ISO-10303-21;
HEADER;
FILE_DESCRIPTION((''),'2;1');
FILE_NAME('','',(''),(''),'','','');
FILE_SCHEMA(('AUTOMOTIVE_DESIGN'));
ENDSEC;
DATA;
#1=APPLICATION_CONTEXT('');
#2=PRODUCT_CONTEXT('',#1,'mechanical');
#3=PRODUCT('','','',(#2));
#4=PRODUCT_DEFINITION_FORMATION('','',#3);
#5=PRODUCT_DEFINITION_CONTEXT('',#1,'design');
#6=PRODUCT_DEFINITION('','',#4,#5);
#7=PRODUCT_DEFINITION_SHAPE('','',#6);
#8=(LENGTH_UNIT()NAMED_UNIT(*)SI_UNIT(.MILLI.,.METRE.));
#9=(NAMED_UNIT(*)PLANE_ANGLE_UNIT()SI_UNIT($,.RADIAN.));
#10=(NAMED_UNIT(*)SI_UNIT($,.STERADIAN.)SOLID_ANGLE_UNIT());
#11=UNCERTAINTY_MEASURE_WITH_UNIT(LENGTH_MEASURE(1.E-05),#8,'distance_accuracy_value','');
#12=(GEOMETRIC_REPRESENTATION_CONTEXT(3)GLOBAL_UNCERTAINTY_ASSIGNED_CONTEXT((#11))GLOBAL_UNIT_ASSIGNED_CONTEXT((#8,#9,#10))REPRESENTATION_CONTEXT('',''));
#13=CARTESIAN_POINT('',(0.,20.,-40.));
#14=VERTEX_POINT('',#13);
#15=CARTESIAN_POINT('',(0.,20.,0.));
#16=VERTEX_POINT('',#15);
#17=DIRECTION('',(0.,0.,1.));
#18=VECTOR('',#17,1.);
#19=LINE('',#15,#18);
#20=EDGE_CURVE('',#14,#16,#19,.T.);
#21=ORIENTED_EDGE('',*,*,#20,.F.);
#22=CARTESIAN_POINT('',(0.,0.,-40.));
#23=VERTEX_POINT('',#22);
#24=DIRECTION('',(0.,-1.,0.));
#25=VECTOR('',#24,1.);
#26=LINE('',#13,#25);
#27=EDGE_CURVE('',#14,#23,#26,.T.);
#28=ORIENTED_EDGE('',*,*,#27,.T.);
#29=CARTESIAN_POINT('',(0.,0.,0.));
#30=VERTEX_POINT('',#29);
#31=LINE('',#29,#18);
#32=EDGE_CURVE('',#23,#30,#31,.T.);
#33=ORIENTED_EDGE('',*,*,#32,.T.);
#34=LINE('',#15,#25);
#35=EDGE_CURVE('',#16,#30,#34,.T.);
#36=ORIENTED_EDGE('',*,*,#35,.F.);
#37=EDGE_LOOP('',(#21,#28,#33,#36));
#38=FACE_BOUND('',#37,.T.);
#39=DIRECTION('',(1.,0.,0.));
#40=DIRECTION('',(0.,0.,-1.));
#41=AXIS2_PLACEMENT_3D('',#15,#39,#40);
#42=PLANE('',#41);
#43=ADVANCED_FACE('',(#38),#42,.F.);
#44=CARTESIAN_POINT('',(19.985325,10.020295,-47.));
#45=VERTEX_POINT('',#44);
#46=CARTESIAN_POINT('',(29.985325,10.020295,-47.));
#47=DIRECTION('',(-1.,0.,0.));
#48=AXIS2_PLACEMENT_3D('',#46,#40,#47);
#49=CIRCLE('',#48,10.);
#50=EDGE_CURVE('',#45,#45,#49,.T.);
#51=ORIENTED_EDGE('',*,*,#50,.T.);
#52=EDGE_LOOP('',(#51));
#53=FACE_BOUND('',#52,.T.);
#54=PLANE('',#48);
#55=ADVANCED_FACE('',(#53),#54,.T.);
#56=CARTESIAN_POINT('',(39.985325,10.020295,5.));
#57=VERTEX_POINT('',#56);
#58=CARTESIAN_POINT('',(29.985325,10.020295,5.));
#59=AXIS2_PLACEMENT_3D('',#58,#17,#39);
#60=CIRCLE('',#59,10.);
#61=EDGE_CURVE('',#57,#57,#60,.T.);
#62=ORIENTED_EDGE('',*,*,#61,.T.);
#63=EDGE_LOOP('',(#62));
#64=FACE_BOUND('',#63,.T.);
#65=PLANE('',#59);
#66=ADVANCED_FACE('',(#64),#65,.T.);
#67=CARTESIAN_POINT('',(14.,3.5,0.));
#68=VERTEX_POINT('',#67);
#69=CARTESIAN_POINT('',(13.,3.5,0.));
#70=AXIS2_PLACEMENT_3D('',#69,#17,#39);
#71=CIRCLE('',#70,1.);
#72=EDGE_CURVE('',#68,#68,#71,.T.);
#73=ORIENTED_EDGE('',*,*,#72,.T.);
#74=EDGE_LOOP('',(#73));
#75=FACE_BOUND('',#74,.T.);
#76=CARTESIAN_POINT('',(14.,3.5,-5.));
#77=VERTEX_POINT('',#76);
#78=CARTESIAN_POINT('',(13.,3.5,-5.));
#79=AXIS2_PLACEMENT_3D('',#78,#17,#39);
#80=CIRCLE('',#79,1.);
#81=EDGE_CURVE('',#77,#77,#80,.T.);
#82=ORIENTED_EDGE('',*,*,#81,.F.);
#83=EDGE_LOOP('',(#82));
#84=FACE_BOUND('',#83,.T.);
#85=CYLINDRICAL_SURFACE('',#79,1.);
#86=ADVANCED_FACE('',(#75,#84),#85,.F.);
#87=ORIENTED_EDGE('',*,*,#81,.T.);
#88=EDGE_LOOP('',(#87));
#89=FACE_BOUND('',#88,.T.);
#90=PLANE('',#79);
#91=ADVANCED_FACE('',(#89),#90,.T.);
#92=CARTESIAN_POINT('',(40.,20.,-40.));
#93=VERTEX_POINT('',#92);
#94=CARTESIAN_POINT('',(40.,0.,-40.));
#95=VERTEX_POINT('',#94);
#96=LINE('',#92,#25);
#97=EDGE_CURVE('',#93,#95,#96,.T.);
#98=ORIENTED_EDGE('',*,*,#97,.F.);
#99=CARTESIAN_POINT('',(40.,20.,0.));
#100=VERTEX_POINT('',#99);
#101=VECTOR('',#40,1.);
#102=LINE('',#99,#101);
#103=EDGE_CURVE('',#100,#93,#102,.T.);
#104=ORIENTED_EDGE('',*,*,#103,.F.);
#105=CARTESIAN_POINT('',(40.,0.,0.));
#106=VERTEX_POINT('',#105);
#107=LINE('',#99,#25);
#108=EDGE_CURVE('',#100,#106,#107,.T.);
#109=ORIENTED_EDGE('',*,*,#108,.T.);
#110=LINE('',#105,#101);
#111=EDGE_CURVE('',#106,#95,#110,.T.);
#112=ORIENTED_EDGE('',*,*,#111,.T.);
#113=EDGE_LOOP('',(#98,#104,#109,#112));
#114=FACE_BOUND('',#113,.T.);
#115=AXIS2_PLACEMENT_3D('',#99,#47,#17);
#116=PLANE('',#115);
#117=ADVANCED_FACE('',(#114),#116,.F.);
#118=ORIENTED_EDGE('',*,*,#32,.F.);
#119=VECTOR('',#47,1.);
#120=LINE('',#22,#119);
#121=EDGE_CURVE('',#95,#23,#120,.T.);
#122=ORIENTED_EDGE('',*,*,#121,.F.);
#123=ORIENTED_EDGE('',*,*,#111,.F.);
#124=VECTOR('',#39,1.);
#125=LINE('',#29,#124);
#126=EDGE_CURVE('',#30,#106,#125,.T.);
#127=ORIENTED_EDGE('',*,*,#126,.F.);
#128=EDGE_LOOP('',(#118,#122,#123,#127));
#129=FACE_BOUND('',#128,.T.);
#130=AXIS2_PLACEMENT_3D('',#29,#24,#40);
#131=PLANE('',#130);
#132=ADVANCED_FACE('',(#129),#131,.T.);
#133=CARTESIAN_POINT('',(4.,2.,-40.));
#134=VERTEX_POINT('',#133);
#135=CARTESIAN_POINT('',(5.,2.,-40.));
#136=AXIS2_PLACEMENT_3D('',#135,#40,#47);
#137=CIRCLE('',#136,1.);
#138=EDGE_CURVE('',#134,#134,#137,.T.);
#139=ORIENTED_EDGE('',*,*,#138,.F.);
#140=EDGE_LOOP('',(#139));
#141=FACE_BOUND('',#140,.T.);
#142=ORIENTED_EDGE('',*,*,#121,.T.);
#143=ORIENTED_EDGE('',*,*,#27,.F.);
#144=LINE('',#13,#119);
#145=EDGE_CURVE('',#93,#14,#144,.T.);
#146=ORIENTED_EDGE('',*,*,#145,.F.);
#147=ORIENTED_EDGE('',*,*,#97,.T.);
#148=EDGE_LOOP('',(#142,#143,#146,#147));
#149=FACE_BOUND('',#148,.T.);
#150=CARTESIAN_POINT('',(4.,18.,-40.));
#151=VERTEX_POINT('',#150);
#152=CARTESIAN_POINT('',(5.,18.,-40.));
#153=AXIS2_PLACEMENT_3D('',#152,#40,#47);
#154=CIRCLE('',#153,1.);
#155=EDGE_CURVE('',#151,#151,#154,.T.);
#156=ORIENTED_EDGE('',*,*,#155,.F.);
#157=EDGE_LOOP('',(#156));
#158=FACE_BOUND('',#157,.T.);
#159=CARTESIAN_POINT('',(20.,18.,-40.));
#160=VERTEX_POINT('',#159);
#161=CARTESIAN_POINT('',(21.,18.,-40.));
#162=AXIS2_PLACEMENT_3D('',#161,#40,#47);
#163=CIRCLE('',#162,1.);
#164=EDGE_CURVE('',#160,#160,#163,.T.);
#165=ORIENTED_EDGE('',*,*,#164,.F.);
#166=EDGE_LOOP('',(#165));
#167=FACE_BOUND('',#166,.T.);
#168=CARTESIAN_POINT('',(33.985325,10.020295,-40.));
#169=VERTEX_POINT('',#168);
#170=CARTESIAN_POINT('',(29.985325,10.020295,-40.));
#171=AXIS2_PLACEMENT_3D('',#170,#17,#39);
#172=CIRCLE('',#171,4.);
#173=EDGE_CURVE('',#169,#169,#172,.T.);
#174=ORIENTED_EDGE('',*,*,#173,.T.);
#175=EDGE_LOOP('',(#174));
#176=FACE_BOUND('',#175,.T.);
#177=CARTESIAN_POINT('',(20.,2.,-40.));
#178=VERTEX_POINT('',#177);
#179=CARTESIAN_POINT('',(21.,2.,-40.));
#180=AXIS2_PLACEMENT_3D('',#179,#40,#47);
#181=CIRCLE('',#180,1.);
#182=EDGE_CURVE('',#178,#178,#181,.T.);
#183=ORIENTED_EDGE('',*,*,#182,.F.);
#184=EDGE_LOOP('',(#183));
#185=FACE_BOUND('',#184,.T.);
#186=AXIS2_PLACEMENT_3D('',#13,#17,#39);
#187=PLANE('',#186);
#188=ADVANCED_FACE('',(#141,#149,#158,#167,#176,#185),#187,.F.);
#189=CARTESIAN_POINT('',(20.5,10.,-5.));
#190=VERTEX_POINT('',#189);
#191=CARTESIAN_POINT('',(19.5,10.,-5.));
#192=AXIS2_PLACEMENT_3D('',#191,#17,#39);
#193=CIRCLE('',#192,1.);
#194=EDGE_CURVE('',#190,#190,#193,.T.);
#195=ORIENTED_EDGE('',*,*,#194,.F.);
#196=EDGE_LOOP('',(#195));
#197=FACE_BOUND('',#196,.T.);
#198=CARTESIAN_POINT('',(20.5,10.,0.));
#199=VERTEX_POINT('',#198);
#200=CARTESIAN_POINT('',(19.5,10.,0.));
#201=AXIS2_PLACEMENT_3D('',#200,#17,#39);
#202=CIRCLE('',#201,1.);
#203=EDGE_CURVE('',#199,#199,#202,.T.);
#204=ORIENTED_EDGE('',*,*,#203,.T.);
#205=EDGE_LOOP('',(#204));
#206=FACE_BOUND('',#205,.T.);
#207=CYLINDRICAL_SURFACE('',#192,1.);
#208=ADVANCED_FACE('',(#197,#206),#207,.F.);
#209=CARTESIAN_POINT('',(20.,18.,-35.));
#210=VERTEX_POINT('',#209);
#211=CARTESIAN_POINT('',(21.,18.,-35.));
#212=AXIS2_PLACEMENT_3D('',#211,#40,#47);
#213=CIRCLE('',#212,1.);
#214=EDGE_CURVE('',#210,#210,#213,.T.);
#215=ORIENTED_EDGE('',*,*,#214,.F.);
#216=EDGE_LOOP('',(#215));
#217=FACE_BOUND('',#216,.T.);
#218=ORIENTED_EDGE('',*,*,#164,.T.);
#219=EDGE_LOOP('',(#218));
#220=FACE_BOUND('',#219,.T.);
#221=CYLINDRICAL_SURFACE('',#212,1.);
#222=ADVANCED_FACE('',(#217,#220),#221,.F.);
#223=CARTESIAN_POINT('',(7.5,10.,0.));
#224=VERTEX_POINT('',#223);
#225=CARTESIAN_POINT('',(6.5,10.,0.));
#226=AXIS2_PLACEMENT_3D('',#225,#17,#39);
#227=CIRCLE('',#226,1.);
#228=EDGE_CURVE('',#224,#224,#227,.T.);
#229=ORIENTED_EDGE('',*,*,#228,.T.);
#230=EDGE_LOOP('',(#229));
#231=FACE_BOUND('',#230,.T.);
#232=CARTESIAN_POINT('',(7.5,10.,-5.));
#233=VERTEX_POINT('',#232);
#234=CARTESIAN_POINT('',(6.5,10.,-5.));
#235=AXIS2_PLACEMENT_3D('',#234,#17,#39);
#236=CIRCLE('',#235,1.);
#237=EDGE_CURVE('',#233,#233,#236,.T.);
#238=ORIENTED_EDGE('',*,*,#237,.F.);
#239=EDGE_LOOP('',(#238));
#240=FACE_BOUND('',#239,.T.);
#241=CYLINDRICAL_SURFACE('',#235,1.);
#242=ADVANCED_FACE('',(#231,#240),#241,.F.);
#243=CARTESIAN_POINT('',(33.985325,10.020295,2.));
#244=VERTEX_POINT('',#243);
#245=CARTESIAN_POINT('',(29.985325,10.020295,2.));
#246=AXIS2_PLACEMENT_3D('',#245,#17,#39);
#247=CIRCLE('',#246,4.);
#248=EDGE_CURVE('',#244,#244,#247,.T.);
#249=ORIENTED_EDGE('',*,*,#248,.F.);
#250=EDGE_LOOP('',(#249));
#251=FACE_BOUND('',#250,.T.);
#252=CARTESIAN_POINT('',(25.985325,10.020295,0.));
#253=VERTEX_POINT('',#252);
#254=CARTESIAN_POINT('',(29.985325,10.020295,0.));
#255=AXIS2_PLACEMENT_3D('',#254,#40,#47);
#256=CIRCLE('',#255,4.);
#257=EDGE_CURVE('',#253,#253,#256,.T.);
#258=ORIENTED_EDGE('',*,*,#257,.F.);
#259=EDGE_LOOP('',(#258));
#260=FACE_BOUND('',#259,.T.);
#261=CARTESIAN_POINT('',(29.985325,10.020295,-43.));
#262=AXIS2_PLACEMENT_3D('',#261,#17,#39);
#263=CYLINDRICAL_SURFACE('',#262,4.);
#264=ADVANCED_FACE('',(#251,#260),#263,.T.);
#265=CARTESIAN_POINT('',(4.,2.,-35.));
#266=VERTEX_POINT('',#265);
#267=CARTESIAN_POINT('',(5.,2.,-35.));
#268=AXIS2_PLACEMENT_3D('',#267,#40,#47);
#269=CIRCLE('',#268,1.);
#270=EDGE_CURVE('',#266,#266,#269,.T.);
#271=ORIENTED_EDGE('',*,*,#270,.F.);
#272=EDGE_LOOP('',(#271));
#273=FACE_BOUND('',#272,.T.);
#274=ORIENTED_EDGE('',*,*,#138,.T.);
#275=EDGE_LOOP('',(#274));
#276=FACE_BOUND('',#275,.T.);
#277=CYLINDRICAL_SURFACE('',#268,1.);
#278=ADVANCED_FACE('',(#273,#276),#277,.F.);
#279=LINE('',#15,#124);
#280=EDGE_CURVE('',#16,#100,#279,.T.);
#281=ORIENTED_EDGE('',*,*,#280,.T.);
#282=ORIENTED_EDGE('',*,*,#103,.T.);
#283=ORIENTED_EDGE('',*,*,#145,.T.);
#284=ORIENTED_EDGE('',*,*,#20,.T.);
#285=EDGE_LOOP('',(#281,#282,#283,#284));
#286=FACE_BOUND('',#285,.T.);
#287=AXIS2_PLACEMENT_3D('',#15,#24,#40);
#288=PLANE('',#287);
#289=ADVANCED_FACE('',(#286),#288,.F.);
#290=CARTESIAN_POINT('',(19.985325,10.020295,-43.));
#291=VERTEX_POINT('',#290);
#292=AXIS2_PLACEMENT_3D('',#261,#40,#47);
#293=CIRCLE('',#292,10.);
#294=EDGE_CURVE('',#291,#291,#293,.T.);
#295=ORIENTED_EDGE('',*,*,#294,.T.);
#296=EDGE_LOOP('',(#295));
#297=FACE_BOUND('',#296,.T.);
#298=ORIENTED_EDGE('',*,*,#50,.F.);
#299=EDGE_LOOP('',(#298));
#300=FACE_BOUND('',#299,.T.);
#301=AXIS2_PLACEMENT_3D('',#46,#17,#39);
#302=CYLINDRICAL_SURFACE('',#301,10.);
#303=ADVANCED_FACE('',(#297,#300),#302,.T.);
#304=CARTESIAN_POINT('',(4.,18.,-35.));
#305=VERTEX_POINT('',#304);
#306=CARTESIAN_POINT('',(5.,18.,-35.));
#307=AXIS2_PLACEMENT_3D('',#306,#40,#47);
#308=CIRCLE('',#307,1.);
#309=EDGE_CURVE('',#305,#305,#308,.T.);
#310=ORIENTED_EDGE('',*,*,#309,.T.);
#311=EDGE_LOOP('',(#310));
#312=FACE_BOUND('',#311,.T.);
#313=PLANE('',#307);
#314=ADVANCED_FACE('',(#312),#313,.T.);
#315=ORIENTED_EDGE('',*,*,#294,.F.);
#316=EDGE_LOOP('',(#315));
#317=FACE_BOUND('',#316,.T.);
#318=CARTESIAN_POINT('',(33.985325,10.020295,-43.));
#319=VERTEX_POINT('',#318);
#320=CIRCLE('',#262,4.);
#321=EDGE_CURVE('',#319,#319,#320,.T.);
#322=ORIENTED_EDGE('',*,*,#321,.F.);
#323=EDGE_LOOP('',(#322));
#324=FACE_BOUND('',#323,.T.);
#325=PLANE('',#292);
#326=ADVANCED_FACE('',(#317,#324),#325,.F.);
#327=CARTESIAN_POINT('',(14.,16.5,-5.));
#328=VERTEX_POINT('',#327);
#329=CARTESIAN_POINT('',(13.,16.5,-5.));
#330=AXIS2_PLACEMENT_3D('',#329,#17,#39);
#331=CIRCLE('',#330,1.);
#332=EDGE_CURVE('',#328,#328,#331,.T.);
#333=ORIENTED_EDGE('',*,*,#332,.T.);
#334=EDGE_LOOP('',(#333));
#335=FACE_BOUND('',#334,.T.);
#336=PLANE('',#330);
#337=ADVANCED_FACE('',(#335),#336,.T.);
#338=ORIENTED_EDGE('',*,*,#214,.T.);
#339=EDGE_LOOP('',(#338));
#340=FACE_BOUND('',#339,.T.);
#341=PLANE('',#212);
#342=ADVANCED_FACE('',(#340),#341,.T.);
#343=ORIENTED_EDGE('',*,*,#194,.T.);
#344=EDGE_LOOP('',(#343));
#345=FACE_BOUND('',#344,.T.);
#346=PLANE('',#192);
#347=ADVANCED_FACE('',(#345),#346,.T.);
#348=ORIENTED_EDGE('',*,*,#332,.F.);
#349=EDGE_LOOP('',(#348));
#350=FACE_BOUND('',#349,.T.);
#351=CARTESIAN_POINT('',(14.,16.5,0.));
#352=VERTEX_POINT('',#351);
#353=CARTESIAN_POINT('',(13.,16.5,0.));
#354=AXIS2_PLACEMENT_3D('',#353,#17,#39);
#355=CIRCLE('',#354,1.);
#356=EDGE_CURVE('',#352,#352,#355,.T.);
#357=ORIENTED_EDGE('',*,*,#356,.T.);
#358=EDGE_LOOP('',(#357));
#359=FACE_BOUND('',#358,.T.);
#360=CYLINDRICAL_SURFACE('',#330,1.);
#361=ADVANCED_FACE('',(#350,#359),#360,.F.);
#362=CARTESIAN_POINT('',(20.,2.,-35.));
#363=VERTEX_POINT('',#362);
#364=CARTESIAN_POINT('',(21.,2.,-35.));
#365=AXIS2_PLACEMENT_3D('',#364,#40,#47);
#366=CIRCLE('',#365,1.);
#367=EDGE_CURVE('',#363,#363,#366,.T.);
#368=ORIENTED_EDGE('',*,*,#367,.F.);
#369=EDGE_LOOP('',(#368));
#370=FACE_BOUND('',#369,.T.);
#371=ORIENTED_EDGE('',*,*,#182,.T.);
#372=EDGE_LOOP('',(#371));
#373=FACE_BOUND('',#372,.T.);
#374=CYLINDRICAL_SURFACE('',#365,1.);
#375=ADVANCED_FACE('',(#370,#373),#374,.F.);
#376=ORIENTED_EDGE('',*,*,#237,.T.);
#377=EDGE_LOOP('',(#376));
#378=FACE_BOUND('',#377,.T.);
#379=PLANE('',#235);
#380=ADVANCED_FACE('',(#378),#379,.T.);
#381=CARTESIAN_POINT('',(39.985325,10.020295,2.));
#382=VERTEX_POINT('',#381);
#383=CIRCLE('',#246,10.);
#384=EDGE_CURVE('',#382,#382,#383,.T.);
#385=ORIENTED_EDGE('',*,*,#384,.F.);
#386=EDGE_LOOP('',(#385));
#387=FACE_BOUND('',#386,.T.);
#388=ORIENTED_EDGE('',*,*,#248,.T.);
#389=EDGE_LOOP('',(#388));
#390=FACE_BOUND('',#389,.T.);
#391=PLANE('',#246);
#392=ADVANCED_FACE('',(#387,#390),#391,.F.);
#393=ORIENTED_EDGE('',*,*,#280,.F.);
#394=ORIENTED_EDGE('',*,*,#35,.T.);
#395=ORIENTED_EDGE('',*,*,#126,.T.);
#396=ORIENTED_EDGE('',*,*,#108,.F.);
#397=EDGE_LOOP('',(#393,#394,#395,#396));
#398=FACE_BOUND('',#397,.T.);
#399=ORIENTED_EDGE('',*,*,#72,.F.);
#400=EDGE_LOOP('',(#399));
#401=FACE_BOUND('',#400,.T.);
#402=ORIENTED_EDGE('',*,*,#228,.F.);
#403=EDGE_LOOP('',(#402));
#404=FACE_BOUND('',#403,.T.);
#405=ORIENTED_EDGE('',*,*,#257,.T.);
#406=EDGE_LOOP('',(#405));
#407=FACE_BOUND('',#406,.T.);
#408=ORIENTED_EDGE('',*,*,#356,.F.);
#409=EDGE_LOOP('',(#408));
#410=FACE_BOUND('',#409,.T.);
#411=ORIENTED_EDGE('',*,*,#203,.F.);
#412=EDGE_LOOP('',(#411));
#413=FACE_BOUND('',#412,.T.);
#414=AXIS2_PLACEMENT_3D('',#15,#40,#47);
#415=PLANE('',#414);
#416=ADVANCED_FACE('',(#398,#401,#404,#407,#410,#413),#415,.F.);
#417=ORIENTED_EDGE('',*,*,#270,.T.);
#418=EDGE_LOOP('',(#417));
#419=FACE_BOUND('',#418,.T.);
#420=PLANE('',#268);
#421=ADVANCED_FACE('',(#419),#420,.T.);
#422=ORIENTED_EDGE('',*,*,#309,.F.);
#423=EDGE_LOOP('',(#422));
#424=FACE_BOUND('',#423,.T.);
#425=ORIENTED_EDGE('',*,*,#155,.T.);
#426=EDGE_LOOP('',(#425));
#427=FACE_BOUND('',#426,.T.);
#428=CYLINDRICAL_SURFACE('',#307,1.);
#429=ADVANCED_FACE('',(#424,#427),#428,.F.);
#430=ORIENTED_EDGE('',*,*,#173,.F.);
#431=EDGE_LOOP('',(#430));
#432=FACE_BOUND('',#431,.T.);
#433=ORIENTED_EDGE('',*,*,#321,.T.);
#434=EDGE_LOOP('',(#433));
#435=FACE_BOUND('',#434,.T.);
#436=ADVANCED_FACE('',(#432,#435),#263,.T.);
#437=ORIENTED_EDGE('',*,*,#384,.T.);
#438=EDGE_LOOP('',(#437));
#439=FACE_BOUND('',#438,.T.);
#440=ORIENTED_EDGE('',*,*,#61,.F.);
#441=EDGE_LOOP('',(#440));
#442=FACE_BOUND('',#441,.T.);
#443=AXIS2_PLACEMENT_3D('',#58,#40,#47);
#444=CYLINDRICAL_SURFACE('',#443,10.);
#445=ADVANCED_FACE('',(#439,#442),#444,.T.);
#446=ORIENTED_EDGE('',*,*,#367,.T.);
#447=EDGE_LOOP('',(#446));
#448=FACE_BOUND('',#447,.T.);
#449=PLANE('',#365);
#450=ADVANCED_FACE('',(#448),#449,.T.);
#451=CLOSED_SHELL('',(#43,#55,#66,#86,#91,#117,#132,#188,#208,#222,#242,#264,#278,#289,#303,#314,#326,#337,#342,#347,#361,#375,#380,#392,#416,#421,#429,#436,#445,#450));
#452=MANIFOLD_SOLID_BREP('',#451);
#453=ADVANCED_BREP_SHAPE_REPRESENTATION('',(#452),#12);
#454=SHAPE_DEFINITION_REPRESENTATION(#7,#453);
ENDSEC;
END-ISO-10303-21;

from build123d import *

# Parameters (mm, degrees)
SKETCH1_W                = 40
SKETCH1_H                = 40
BOSS_EXTRUDE1_DEPTH      = 20
SKETCH2_R                = 4
BOSS_EXTRUDE2_DEPTH      = 2
BOSS_EXTRUDE2_DEPTH_BACK = 43
SKETCH3_R                = 10
BOSS_EXTRUDE3_DEPTH      = 3
SKETCH4_R                = 10
BOSS_EXTRUDE4_DEPTH      = 4
SKETCH5_R                = 1
CUT_EXTRUDE1_DEPTH       = 5
SKETCH6_R                = 1
CUT_EXTRUDE2_DEPTH       = 5


with BuildPart() as part:
    # Sketch1 → Boss-Extrude1 (new body)
    with BuildSketch(Plane(origin=(0, 0, 0), x_dir=(1, 0, 0), z_dir=(0, 1, 0))):
        with Locations((20, 20)):
            Rectangle(SKETCH1_W, SKETCH1_H)
    extrude(amount=BOSS_EXTRUDE1_DEPTH)

    # Sketch2 → Boss-Extrude2 (add, two sides)
    with BuildSketch(Plane.XY) as boss_extrude2_sk:
        with Locations((29.985325212, 10.020295376)):
            Circle(SKETCH2_R)
    extrude(amount=BOSS_EXTRUDE2_DEPTH)
    extrude(boss_extrude2_sk.sketch, amount=-BOSS_EXTRUDE2_DEPTH_BACK)

    # Sketch3 → Boss-Extrude3 (add)
    with BuildSketch(Plane.XY.offset(2)):
        with Locations((29.985325212, 10.020295376)):
            Circle(SKETCH3_R)
    extrude(amount=BOSS_EXTRUDE3_DEPTH)

    # Sketch4 → Boss-Extrude4 (add)
    with BuildSketch(Plane(origin=(0, 0, -43), x_dir=(-1, 0, 0), z_dir=(0, 0, -1))):
        with Locations((-29.985325212, 10.020295376)):
            Circle(SKETCH4_R)
    extrude(amount=BOSS_EXTRUDE4_DEPTH)

    # Sketch5 → Cut-Extrude1 (cut)
    with BuildSketch(Plane(origin=(0, 0, -40), x_dir=(-1, 0, 0), z_dir=(0, 0, -1))):
        with Locations((-5, 18)):
            Circle(SKETCH5_R)
        with Locations((-5, 2)):
            Circle(SKETCH5_R)
        with Locations((-21, 2)):
            Circle(SKETCH5_R)
        with Locations((-21, 18)):
            Circle(SKETCH5_R)
    extrude(amount=-CUT_EXTRUDE1_DEPTH, mode=Mode.SUBTRACT)

    # Sketch6 → Cut-Extrude2 (cut)
    with BuildSketch(Plane.XY):
        with Locations((13, 16.5)):
            Circle(SKETCH6_R)
        with Locations((6.5, 10)):
            Circle(SKETCH6_R)
        with Locations((13, 3.5)):
            Circle(SKETCH6_R)
        with Locations((19.5, 10)):
            Circle(SKETCH6_R)
    extrude(amount=-CUT_EXTRUDE2_DEPTH, mode=Mode.SUBTRACT)


solid = part.part
